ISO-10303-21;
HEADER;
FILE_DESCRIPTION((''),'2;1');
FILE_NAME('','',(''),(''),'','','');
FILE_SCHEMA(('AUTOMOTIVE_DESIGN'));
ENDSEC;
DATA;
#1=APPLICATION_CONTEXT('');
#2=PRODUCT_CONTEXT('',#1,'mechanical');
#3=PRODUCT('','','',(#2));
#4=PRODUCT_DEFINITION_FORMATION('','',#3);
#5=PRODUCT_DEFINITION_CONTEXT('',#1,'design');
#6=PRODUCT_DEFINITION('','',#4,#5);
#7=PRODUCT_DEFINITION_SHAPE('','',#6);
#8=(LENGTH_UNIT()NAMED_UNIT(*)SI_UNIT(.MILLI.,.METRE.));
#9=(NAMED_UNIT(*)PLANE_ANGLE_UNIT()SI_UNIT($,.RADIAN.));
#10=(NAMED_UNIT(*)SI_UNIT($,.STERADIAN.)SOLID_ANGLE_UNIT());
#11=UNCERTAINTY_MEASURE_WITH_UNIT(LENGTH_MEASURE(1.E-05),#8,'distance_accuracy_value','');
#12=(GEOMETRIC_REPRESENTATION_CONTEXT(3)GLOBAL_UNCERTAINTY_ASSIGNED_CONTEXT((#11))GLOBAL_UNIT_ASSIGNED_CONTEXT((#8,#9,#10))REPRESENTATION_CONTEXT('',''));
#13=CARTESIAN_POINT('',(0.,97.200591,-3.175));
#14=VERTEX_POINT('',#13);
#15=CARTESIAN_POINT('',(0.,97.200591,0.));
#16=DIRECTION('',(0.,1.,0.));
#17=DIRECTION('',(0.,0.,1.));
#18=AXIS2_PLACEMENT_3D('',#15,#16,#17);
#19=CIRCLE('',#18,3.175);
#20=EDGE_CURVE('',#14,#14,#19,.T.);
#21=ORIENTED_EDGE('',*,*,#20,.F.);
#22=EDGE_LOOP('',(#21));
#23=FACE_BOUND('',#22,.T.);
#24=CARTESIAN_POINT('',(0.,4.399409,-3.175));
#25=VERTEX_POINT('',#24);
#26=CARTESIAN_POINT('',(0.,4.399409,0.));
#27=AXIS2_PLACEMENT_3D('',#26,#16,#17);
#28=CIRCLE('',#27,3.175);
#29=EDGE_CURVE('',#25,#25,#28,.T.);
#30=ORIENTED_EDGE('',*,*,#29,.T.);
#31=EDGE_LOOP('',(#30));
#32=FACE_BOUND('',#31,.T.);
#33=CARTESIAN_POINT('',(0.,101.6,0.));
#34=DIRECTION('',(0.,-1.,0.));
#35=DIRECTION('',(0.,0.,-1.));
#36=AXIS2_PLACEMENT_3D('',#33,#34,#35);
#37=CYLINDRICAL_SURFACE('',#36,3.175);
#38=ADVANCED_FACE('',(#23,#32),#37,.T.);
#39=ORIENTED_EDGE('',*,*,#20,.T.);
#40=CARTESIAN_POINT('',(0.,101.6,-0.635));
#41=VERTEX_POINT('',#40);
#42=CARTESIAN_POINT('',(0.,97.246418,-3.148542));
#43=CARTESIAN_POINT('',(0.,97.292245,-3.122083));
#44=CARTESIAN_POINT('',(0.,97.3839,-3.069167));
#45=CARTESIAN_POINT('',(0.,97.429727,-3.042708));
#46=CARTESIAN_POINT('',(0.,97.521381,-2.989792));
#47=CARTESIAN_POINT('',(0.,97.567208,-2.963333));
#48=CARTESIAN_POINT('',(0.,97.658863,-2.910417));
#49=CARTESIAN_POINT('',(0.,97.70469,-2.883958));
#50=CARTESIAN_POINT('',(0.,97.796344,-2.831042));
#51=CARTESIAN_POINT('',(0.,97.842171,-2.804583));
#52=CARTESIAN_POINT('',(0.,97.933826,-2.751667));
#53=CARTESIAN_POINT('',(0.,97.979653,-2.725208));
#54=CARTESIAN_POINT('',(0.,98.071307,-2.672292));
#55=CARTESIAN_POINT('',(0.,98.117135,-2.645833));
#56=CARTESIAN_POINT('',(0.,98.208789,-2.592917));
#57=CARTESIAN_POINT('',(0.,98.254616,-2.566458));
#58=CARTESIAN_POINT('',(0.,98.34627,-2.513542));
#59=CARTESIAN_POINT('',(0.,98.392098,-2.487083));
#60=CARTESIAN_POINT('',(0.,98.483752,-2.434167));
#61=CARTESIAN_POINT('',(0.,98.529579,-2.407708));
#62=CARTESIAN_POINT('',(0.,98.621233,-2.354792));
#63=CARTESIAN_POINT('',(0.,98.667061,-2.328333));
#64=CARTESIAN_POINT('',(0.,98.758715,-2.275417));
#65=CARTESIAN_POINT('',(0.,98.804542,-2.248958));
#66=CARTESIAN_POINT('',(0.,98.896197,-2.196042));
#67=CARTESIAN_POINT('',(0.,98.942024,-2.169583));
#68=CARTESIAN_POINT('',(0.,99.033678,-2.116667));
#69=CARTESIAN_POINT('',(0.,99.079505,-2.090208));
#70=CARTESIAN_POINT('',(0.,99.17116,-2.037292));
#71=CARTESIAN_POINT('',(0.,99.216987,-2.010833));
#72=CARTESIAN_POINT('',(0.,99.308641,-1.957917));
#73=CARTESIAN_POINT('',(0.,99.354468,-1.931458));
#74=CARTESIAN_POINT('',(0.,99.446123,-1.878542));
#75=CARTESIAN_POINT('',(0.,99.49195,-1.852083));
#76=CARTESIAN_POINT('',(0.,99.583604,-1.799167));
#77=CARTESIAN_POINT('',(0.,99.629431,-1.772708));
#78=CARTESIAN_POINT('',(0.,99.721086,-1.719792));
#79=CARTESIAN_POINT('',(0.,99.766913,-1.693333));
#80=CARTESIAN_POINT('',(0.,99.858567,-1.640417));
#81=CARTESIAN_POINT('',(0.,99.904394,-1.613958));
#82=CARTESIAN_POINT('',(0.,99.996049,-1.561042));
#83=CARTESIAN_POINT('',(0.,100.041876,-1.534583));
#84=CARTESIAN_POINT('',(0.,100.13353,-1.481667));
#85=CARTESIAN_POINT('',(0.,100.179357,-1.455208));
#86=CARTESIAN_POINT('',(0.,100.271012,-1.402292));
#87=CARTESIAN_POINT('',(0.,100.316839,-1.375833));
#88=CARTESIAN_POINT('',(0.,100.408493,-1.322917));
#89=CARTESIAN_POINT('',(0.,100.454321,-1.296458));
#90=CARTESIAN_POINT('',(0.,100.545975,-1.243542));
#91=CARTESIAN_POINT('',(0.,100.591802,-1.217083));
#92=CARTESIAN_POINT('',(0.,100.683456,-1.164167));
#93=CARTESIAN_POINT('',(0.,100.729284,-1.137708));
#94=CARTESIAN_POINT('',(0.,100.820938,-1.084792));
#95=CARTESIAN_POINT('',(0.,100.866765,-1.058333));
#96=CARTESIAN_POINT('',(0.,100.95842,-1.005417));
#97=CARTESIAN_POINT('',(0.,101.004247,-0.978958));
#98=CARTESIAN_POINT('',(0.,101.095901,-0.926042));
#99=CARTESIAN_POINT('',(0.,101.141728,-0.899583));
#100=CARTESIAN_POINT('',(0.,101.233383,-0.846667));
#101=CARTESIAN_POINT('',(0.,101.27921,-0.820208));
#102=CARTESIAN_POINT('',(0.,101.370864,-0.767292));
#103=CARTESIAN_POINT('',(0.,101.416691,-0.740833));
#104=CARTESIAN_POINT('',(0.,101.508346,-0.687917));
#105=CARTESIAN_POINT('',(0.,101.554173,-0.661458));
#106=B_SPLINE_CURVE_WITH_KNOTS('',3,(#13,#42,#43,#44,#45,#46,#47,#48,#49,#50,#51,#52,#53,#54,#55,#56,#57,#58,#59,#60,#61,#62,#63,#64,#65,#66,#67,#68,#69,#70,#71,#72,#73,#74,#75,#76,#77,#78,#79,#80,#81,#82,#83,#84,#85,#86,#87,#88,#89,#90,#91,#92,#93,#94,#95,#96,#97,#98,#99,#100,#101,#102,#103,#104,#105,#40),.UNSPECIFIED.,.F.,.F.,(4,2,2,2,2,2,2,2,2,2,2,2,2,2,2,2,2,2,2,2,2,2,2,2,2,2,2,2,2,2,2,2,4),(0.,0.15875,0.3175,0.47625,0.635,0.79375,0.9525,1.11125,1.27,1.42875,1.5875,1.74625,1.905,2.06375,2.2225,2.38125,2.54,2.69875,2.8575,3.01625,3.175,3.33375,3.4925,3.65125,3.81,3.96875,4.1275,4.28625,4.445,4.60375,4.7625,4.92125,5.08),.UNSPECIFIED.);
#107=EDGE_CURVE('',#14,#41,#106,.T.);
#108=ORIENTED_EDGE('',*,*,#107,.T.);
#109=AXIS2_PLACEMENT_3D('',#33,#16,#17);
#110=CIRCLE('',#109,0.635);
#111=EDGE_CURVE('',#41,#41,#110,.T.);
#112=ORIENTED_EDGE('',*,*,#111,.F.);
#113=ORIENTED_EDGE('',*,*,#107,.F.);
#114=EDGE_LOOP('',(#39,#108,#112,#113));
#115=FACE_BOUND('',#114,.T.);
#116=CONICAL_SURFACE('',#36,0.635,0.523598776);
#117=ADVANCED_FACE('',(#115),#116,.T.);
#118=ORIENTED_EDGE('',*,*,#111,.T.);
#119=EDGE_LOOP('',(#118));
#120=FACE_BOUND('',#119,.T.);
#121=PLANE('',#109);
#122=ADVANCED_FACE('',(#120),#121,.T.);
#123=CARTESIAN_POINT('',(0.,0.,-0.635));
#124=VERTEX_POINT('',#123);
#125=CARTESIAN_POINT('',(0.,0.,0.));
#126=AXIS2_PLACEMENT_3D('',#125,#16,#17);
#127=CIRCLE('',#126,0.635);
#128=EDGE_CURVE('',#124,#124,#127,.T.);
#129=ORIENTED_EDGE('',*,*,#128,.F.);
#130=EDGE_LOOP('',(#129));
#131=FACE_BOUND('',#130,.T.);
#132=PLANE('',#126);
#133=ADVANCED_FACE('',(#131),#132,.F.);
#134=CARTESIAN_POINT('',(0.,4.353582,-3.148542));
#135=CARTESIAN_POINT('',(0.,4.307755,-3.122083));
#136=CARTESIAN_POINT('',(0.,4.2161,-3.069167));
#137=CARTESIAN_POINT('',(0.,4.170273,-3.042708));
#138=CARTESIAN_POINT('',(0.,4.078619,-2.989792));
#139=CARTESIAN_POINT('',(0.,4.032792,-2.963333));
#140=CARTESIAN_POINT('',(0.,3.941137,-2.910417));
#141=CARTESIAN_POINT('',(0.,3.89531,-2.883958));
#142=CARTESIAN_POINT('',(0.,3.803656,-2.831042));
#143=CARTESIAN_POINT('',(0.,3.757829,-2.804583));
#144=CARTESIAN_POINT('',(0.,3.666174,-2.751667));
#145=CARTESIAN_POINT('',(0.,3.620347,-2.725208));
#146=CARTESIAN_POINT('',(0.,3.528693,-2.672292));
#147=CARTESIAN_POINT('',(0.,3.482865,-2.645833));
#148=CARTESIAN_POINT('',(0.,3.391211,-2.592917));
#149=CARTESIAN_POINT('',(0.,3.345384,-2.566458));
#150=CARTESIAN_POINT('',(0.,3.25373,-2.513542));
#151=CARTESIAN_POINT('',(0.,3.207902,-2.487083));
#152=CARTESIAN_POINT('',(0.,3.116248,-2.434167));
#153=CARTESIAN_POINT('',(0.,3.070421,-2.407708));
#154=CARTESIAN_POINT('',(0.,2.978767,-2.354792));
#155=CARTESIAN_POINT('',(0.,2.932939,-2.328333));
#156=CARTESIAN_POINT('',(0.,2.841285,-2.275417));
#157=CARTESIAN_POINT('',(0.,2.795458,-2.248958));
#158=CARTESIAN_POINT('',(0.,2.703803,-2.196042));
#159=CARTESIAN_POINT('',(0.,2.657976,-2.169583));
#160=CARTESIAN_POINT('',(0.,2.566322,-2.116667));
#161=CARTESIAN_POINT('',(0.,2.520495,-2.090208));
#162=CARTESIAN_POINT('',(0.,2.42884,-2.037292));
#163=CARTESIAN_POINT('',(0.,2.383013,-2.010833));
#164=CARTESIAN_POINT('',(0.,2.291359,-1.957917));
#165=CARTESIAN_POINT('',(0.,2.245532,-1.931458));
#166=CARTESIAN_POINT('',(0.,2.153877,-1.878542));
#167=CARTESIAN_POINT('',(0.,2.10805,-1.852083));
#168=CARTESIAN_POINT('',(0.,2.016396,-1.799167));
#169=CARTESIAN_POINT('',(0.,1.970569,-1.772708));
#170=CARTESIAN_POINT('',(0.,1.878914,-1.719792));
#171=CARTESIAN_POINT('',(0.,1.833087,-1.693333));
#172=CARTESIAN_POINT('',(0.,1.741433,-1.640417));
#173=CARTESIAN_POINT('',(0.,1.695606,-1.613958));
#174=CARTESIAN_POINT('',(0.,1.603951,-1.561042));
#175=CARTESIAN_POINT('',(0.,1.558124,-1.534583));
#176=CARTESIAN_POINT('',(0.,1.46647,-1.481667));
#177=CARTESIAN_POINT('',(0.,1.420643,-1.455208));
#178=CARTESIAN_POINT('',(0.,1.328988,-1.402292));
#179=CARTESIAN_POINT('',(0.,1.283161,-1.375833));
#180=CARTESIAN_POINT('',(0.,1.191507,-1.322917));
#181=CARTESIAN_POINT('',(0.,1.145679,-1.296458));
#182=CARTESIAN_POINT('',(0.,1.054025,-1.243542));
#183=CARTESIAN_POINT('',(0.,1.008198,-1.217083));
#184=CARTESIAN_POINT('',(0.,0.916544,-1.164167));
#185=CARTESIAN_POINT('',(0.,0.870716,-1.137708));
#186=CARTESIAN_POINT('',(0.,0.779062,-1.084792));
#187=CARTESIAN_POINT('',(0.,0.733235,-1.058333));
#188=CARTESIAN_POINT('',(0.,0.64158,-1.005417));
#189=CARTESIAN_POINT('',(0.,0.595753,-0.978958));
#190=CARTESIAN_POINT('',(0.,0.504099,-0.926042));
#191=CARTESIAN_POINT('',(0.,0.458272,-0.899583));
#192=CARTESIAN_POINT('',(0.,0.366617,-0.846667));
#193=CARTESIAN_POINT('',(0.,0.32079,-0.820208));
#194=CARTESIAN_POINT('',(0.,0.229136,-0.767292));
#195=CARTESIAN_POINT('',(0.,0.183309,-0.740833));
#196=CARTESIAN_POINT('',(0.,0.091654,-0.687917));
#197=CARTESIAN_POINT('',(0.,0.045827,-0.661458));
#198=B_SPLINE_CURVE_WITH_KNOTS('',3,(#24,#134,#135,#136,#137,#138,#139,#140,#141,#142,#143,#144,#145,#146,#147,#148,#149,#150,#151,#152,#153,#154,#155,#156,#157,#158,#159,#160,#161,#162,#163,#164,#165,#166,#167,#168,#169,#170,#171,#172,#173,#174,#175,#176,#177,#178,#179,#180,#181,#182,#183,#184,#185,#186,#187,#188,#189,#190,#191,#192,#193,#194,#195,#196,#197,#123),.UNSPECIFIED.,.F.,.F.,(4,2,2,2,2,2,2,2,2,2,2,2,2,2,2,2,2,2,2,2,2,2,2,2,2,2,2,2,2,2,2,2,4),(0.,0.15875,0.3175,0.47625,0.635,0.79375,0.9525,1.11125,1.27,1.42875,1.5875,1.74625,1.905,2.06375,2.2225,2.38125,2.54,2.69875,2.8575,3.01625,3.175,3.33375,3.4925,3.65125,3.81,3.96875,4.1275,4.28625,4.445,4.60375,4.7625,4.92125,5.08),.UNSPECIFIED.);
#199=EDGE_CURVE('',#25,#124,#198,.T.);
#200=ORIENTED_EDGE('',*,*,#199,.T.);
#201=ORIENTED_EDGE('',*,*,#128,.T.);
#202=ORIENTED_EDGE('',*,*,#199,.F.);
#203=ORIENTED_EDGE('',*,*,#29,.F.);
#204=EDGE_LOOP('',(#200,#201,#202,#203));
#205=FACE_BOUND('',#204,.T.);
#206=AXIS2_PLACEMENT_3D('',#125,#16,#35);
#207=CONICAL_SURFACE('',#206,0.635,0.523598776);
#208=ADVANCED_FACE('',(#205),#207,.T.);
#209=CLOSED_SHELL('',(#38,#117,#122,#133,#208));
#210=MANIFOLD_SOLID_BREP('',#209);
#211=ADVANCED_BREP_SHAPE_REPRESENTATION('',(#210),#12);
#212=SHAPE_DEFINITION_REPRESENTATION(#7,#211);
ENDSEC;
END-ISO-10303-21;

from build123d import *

# Parameters (mm, degrees)
SKETCH1_R           = 3.175
BOSS_EXTRUDE1_DEPTH = 101.6


with BuildPart() as part:
    # Sketch1 → Boss-Extrude1 (new body)
    with BuildSketch(Plane(origin=(0, 0, 0), x_dir=(1, 0, 0), z_dir=(0, 1, 0))):
        with Locations(Location((0, 0, 0), (0, 0, 270))):
            Circle(SKETCH1_R)
    extrude(amount=BOSS_EXTRUDE1_DEPTH)

    # Sketch3 → Cut-Revolve2 (revolve, cut)
    with BuildSketch(Plane.XY, mode=Mode.PRIVATE) as cut_revolve2_sk:
        Polygon((3.175, 97.200590949), (0.635, 101.6), (3.175, 101.6), align=None)
    cut_revolve2 = revolve(cut_revolve2_sk.sketch.rotate(Axis((0, 101.6, 0), (0, -1, 0)), 270), axis=Axis((0, 101.6, 0), (0, -1, 0)), mode=Mode.SUBTRACT)

    # Mirror1: Cut-Revolve2 across plane
    add(cut_revolve2.mirror(Plane.ZX.offset(50.8)), mode=Mode.SUBTRACT)


solid = part.part
